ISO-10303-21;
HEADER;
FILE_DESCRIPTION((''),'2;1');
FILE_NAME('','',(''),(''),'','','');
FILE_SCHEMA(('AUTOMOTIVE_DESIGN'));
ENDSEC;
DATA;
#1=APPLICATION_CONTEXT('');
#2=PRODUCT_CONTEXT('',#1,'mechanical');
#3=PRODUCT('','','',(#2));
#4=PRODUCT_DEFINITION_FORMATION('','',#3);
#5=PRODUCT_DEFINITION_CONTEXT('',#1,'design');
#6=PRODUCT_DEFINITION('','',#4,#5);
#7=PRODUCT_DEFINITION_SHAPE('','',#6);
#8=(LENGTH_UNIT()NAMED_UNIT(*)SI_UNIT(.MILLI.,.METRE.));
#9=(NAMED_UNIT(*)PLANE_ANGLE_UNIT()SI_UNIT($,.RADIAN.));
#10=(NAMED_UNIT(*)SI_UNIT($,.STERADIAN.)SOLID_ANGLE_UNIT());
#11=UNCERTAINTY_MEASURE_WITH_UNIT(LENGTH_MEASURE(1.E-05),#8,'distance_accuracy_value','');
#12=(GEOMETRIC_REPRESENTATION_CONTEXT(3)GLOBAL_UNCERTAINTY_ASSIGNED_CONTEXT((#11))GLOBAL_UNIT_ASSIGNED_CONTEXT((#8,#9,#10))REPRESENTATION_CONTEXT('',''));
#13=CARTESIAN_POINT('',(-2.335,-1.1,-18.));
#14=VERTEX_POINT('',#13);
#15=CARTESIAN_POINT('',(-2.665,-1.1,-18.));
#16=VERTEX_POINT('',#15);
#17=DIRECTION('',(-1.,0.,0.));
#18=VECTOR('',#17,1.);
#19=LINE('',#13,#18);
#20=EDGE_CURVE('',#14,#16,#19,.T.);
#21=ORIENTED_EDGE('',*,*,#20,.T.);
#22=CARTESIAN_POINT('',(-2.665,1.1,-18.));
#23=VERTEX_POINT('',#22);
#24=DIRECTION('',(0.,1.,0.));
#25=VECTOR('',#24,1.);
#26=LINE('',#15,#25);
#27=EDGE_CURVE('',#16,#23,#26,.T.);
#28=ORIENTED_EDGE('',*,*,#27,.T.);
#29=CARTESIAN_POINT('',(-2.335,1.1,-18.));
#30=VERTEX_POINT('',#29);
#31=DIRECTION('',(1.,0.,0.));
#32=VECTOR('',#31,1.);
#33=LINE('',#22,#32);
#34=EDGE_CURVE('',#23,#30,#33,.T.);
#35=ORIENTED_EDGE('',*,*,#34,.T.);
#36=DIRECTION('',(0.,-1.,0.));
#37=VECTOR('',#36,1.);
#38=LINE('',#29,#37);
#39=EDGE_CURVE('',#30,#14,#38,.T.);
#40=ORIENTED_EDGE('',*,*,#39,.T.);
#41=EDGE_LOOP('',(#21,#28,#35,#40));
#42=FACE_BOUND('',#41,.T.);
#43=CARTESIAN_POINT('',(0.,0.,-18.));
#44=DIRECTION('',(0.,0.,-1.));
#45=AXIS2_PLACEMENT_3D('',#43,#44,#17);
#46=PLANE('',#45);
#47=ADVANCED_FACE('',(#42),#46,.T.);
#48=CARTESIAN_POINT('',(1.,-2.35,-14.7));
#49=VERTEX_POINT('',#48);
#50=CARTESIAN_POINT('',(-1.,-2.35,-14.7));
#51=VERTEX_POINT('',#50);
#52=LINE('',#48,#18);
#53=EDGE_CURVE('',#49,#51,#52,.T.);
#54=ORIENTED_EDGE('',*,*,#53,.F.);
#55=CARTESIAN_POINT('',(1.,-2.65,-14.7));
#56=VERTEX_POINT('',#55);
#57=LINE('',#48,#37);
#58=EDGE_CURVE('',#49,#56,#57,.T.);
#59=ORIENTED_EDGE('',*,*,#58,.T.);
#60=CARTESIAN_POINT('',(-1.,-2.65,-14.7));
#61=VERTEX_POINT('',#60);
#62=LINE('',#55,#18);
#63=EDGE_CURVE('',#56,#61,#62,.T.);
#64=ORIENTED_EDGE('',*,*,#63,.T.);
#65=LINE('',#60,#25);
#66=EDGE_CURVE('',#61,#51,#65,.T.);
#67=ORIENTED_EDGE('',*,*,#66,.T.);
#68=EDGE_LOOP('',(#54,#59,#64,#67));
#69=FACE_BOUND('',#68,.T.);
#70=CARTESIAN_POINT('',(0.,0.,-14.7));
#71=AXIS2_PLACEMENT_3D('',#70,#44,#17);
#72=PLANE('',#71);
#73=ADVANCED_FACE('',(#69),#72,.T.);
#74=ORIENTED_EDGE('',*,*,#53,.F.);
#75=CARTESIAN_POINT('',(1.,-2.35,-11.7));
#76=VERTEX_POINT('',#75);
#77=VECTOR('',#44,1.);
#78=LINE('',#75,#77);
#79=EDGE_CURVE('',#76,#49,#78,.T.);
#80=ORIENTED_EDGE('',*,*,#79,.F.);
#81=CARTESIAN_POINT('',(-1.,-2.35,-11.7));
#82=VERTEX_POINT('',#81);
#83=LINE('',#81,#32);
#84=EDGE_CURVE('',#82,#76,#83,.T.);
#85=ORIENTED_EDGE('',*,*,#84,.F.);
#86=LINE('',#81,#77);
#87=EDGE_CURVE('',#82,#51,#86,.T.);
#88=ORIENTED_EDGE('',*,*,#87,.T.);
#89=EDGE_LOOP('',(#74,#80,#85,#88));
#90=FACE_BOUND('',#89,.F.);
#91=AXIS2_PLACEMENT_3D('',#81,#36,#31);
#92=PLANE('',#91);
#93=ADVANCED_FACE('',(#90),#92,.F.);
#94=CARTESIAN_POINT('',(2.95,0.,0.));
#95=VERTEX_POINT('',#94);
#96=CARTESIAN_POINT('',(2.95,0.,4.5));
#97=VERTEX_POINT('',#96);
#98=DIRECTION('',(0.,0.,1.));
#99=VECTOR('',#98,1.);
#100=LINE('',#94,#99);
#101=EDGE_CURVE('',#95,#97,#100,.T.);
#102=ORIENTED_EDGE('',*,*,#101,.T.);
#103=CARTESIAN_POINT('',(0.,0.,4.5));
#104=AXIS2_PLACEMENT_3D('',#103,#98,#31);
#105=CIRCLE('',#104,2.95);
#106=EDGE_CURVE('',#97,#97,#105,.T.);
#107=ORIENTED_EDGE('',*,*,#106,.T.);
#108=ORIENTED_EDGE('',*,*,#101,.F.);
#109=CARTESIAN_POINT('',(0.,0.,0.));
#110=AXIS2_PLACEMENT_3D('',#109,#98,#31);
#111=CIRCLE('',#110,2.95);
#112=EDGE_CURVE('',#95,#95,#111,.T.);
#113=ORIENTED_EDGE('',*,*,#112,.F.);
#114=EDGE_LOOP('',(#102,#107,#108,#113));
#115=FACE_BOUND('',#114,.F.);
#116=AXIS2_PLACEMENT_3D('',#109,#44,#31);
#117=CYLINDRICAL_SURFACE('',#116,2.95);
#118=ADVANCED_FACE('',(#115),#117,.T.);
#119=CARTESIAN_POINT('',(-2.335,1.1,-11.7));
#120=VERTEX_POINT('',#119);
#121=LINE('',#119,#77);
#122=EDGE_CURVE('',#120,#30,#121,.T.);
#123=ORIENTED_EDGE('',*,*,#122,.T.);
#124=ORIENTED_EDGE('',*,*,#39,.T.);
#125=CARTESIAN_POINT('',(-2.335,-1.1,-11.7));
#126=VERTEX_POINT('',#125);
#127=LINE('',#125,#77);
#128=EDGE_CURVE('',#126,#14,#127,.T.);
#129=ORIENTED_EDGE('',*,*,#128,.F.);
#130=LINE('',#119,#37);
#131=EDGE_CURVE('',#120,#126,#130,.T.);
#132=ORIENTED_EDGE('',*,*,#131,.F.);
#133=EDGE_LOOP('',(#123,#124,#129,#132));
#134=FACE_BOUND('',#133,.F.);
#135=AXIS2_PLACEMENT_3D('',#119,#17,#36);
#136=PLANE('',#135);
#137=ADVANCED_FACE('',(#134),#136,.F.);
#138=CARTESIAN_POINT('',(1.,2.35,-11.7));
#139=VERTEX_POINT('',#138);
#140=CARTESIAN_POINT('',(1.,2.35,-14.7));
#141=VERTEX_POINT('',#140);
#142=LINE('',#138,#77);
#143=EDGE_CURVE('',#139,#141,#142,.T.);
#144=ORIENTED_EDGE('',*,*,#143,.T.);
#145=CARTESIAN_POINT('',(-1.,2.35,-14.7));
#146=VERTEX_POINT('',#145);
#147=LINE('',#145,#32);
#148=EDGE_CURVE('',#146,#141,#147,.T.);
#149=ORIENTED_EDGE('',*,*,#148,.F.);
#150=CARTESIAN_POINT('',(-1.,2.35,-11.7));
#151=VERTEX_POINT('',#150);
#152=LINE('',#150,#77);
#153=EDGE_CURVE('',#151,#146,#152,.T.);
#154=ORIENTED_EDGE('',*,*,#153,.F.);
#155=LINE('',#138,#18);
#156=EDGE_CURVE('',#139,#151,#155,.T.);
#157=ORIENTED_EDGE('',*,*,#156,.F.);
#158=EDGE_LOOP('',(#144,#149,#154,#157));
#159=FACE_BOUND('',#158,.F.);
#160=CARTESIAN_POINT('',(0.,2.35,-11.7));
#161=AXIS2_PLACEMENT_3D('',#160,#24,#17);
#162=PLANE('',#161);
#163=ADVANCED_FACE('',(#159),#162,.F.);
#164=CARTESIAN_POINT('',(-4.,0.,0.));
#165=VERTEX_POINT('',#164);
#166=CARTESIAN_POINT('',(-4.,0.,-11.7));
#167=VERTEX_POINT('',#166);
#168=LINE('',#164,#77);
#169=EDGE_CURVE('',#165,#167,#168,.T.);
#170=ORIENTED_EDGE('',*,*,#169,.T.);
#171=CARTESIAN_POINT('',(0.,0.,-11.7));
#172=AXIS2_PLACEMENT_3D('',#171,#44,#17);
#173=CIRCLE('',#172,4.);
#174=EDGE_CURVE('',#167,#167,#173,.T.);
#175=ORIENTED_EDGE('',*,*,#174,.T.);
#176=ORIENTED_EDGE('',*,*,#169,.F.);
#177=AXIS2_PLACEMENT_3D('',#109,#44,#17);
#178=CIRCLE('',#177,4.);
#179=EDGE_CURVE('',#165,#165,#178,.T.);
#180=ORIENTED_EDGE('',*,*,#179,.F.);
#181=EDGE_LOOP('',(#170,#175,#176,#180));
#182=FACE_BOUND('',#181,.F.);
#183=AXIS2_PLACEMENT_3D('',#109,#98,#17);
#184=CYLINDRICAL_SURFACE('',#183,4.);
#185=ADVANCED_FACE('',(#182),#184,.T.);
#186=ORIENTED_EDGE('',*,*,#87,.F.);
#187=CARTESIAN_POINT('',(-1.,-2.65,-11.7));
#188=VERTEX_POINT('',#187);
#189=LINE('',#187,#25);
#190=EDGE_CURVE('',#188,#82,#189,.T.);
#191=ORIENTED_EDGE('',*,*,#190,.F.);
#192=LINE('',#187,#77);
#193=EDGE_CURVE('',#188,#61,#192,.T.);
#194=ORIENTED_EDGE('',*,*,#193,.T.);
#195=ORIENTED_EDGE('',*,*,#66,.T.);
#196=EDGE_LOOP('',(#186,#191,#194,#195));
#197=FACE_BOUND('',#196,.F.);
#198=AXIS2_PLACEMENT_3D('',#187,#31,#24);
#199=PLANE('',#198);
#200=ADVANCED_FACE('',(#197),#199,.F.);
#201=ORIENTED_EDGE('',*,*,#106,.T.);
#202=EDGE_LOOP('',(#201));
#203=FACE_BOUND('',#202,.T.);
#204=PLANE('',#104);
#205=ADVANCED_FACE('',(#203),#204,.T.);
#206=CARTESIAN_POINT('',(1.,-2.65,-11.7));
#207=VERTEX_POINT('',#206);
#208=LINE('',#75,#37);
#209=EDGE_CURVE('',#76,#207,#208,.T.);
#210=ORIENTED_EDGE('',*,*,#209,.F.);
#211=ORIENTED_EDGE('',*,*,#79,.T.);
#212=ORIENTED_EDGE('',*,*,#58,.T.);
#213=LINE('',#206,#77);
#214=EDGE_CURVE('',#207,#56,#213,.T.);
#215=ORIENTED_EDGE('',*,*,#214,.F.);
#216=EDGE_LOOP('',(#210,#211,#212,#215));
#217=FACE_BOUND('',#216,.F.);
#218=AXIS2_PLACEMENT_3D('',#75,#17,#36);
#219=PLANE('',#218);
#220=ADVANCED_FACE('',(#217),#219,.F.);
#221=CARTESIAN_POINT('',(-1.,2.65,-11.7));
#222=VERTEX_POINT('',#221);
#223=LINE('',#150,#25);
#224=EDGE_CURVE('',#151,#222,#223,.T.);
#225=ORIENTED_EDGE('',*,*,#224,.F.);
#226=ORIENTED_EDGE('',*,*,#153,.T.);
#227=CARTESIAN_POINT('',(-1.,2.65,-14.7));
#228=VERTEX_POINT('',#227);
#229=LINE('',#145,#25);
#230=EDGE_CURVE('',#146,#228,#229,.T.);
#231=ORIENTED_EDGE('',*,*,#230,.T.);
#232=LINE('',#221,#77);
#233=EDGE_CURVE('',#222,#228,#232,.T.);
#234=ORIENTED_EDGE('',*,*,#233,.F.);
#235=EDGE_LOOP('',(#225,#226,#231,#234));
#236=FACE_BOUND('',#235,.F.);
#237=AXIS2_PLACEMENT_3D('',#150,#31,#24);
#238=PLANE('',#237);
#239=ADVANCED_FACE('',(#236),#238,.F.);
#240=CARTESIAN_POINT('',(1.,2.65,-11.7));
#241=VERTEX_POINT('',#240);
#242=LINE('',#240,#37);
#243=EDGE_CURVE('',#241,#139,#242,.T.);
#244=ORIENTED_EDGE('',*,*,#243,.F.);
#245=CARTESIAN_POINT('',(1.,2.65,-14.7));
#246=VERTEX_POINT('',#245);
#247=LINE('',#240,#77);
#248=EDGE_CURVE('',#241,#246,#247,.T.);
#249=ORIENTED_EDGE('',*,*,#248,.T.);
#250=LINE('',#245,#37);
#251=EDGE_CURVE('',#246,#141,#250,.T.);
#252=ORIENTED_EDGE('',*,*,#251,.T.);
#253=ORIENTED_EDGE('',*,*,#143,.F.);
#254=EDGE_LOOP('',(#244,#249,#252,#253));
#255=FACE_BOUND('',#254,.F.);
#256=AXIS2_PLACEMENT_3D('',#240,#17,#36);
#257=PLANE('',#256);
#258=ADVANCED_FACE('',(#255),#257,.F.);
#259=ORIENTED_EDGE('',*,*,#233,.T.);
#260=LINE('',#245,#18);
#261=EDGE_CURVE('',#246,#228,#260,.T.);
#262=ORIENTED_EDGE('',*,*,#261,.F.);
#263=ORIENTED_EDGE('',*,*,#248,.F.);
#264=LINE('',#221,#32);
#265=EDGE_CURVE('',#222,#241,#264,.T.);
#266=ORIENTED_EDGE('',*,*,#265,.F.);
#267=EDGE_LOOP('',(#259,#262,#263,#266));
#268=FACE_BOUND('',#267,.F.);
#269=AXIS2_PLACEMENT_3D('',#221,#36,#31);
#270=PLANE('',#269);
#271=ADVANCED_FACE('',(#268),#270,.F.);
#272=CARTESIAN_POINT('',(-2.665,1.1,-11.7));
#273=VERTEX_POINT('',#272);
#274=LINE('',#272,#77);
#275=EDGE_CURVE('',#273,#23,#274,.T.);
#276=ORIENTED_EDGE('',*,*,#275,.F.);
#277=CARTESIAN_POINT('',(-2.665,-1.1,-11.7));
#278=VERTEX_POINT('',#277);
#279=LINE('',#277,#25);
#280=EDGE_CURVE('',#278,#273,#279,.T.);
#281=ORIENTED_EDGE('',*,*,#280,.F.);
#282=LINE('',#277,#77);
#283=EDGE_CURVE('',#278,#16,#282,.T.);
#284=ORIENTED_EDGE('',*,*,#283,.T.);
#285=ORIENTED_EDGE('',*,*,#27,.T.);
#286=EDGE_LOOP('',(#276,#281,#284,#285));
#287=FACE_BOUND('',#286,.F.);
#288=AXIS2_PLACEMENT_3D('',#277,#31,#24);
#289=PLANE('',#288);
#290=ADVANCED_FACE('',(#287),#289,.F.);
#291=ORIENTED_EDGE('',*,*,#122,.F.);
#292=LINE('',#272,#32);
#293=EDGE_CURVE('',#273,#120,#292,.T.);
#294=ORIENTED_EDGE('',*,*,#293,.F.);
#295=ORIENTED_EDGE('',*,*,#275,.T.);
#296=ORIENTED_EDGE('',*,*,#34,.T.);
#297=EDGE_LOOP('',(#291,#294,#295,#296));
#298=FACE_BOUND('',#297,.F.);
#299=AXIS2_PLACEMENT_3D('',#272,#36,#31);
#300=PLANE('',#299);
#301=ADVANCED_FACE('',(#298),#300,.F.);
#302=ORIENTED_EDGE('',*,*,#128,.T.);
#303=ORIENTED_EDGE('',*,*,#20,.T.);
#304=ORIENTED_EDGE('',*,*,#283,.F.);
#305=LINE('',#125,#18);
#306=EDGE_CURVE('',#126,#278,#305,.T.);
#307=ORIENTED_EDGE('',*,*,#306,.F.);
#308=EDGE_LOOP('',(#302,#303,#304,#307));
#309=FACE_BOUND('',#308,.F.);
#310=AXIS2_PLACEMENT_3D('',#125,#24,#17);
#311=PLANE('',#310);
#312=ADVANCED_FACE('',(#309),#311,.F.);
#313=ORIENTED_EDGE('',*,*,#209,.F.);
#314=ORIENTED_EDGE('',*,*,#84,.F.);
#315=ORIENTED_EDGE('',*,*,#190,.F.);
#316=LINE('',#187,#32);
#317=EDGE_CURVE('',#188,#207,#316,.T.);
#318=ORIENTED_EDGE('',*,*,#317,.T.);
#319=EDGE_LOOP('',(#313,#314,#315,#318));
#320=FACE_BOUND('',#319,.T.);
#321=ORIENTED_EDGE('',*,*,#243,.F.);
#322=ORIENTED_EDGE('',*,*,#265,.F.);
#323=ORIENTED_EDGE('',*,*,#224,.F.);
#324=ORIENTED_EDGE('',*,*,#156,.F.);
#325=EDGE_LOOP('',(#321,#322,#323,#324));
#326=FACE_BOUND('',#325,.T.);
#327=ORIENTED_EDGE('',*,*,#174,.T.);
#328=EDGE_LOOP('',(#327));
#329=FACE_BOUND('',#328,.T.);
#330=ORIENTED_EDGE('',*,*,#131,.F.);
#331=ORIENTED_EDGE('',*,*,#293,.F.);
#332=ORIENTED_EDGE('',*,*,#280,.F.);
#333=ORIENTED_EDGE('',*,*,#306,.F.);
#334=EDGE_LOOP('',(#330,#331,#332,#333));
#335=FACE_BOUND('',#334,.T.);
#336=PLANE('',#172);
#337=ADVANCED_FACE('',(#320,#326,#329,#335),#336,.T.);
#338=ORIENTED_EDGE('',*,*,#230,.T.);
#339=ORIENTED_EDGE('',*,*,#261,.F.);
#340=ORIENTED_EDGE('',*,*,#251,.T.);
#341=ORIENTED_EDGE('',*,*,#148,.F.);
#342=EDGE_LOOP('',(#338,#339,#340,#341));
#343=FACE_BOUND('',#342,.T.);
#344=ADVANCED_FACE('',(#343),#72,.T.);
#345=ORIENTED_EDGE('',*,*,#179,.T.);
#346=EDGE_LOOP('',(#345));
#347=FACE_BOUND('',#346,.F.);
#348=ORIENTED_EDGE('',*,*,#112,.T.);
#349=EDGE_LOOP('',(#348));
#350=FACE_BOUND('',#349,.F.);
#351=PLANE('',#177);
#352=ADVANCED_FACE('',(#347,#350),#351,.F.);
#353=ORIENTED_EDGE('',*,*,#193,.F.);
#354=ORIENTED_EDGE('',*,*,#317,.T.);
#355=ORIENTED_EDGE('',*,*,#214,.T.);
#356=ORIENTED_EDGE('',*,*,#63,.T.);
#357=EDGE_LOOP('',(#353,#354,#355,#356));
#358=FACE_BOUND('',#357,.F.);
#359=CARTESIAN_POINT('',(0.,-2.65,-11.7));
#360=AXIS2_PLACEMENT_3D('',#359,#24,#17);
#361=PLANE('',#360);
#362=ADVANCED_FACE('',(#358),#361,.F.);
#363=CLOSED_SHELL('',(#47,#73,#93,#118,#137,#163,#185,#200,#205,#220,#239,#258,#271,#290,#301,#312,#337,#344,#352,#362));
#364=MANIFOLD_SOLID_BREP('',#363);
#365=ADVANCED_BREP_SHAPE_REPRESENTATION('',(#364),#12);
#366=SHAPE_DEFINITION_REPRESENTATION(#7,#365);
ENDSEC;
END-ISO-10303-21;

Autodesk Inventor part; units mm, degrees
ref_plane "YZ Plane" through (0, 0, 0) normal (1, 0, 0) x (0, 1, 0)
ref_plane "XZ Plane" through (0, 0, 0) normal (0, 1, 0) x (-1, 0, 0)
ref_plane "XY Plane" through (0, 0, 0) normal (0, 0, 1) x (1, 0, 0)
sketch "Sketch1" plane through (0, 0, 0) normal (0, 0, 1) x (1, 0, 0)
  circle A0 centre (0, 0) radius 2.95
  dimension "d0" = 5.9
extrude "Extrusion1" add sketch "Sketch1" along normal blind 4.5
sketch "Sketch2" plane through (0, 0, 0) normal (0, 0, -1) x (-1, 0, 0)
  circle A0 centre (0, 0) radius 4
  dimension "d3" = 8
extrude "Extrusion2" add sketch "Sketch2" along normal blind 11.7
sketch "Sketch3" plane through (0, 0, -11.7) normal (0, 0, -1) x (-1, 0, 0)
  line L0 (2.665, 1.1) -> (2.335, 1.1)
  line L1 (2.335, 1.1) -> (2.335, -1.1)
  line L2 (2.335, -1.1) -> (2.665, -1.1)
  line L3 (2.665, -1.1) -> (2.665, 1.1)
  line L4 (2.5, 1.1) -> (2.5, -1.1) construction
  line L5 (5.6, 0) -> (-5.6, 0) construction
  point P0 (0, 0)
  point P1 (2.5, 0)
  dimension "d6" = 0.33
  dimension "d7" = 2.2
  dimension "d8" = 2.5
extrude "Extrusion3" add sketch "Sketch3" along normal blind 6.3
sketch "Sketch4" plane through (0, 0, -11.7) normal (0, 0, -1) x (-1, 0, 0)
  line L0 (1, 2.65) -> (-1, 2.65)
  line L1 (-1, 2.65) -> (-1, 2.35)
  line L2 (-1, 2.35) -> (1, 2.35)
  line L3 (1, 2.35) -> (1, 2.65)
  line L4 (1, -2.35) -> (-1, -2.35)
  line L5 (-1, -2.35) -> (-1, -2.65)
  line L6 (-1, -2.65) -> (1, -2.65)
  line L7 (1, -2.65) -> (1, -2.35)
  line L8 (0, -5.6) -> (0, 5.6) projected
  line L9 (1, 2.5) -> (-1, 2.5) construction
  line L10 (-1, -2.5) -> (1, -2.5) construction
  line L11 (5.6, 0) -> (-5.6, 0) construction
  point P0 (0, 0)
  point P1 (0, 2.35)
  dimension "d11" = 2
  dimension "d12" = 0.3
  dimension "d13" = 5
extrude "Extrusion4" add sketch "Sketch4" along normal blind 3
properties part number "StereoBuchseEinbau"
